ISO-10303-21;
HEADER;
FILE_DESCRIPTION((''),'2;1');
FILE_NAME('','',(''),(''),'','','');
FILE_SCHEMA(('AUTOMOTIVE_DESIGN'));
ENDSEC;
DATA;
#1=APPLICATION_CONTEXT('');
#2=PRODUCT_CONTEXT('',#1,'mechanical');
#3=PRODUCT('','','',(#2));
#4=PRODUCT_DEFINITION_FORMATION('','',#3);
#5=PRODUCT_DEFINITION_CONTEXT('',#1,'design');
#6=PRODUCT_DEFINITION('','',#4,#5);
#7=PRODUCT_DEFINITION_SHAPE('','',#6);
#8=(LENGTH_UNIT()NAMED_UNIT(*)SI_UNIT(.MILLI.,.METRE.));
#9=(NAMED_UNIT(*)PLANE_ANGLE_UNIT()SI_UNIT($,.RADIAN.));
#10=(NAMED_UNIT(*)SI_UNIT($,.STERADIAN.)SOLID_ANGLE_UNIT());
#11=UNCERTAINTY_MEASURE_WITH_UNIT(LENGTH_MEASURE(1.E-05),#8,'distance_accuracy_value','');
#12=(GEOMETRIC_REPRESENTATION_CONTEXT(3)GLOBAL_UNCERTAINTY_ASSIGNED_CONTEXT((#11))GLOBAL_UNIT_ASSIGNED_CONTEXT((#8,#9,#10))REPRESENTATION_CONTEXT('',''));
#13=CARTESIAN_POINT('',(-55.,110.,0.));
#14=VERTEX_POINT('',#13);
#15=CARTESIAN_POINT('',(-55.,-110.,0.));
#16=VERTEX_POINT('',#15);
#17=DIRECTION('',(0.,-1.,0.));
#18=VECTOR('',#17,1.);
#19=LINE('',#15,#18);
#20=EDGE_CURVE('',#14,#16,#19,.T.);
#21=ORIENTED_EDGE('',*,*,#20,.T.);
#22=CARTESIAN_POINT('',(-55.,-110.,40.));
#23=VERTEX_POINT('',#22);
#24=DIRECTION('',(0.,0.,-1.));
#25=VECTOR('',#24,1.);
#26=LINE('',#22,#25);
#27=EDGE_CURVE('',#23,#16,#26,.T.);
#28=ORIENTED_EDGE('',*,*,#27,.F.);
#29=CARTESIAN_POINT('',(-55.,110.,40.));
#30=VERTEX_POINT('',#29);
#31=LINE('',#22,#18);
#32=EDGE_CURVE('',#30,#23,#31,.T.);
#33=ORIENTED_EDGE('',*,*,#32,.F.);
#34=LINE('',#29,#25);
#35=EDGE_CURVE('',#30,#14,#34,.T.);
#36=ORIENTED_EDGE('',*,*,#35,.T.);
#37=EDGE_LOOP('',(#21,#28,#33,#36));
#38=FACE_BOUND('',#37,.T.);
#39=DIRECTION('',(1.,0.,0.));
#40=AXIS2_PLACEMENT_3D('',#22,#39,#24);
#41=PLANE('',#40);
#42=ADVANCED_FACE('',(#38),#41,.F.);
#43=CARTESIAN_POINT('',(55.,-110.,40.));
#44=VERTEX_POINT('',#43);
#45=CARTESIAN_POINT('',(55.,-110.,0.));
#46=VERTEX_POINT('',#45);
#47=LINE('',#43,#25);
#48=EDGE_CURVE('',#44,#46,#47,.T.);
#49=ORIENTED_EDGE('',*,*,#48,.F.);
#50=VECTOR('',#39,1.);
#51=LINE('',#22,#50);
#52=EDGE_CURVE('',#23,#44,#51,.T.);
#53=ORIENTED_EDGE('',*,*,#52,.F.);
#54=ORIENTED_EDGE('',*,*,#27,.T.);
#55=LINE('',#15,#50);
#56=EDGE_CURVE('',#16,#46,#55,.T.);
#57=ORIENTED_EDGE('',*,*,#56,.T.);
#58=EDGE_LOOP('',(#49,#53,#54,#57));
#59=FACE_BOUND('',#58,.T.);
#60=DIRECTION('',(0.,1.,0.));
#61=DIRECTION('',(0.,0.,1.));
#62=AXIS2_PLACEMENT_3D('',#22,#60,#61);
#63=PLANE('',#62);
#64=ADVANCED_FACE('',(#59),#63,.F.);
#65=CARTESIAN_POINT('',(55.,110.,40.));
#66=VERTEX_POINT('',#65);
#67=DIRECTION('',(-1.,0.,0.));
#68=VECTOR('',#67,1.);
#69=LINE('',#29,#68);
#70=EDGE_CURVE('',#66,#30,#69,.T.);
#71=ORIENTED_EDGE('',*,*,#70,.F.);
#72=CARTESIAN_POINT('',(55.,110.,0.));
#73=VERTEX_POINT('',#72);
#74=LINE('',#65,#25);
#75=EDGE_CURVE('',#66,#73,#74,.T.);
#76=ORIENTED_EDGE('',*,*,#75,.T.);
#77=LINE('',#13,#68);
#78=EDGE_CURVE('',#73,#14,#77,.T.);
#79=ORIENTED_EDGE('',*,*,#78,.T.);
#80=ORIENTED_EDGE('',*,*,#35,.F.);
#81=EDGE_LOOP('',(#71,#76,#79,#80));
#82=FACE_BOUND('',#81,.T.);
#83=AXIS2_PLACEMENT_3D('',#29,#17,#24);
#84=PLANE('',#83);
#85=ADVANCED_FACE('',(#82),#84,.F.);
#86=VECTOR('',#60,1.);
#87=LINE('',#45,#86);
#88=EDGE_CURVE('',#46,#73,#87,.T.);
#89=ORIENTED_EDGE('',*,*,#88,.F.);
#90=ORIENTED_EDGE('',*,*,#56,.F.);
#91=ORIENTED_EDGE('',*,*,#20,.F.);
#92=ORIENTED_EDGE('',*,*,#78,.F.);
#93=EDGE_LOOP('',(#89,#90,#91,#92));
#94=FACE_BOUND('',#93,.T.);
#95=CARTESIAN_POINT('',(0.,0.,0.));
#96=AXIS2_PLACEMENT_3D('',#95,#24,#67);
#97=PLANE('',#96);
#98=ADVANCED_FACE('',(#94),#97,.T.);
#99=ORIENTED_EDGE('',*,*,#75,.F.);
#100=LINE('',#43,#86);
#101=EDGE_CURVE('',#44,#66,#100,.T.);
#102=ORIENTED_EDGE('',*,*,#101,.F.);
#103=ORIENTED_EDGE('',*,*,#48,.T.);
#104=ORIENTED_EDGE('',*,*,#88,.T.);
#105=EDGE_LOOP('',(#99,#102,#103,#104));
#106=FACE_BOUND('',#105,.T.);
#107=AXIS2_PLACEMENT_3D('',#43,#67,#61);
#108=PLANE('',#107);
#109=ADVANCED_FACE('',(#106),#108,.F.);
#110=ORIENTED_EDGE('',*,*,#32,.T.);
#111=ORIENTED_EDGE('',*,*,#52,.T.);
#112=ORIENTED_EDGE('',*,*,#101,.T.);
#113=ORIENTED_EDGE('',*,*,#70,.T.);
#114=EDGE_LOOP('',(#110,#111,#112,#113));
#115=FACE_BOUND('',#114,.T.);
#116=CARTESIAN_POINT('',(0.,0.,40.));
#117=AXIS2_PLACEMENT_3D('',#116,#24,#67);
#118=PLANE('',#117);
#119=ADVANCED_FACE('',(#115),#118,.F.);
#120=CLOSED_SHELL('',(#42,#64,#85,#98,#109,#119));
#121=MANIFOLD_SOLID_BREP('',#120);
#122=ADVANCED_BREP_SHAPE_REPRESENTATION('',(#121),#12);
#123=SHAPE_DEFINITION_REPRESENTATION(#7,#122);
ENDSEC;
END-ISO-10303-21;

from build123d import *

# Parameters (mm, degrees)
SKETCH_1_W      = 110
SKETCH_1_H      = 220
EXTRUDE_1_DEPTH = 40


with BuildPart() as part:
    # ｽｹｯﾁ1 → ﾎﾞｽ - 押し出し1 (new body)
    with BuildSketch(Plane.XY):
        Rectangle(SKETCH_1_W, SKETCH_1_H)
    extrude(amount=EXTRUDE_1_DEPTH)


solid = part.part
